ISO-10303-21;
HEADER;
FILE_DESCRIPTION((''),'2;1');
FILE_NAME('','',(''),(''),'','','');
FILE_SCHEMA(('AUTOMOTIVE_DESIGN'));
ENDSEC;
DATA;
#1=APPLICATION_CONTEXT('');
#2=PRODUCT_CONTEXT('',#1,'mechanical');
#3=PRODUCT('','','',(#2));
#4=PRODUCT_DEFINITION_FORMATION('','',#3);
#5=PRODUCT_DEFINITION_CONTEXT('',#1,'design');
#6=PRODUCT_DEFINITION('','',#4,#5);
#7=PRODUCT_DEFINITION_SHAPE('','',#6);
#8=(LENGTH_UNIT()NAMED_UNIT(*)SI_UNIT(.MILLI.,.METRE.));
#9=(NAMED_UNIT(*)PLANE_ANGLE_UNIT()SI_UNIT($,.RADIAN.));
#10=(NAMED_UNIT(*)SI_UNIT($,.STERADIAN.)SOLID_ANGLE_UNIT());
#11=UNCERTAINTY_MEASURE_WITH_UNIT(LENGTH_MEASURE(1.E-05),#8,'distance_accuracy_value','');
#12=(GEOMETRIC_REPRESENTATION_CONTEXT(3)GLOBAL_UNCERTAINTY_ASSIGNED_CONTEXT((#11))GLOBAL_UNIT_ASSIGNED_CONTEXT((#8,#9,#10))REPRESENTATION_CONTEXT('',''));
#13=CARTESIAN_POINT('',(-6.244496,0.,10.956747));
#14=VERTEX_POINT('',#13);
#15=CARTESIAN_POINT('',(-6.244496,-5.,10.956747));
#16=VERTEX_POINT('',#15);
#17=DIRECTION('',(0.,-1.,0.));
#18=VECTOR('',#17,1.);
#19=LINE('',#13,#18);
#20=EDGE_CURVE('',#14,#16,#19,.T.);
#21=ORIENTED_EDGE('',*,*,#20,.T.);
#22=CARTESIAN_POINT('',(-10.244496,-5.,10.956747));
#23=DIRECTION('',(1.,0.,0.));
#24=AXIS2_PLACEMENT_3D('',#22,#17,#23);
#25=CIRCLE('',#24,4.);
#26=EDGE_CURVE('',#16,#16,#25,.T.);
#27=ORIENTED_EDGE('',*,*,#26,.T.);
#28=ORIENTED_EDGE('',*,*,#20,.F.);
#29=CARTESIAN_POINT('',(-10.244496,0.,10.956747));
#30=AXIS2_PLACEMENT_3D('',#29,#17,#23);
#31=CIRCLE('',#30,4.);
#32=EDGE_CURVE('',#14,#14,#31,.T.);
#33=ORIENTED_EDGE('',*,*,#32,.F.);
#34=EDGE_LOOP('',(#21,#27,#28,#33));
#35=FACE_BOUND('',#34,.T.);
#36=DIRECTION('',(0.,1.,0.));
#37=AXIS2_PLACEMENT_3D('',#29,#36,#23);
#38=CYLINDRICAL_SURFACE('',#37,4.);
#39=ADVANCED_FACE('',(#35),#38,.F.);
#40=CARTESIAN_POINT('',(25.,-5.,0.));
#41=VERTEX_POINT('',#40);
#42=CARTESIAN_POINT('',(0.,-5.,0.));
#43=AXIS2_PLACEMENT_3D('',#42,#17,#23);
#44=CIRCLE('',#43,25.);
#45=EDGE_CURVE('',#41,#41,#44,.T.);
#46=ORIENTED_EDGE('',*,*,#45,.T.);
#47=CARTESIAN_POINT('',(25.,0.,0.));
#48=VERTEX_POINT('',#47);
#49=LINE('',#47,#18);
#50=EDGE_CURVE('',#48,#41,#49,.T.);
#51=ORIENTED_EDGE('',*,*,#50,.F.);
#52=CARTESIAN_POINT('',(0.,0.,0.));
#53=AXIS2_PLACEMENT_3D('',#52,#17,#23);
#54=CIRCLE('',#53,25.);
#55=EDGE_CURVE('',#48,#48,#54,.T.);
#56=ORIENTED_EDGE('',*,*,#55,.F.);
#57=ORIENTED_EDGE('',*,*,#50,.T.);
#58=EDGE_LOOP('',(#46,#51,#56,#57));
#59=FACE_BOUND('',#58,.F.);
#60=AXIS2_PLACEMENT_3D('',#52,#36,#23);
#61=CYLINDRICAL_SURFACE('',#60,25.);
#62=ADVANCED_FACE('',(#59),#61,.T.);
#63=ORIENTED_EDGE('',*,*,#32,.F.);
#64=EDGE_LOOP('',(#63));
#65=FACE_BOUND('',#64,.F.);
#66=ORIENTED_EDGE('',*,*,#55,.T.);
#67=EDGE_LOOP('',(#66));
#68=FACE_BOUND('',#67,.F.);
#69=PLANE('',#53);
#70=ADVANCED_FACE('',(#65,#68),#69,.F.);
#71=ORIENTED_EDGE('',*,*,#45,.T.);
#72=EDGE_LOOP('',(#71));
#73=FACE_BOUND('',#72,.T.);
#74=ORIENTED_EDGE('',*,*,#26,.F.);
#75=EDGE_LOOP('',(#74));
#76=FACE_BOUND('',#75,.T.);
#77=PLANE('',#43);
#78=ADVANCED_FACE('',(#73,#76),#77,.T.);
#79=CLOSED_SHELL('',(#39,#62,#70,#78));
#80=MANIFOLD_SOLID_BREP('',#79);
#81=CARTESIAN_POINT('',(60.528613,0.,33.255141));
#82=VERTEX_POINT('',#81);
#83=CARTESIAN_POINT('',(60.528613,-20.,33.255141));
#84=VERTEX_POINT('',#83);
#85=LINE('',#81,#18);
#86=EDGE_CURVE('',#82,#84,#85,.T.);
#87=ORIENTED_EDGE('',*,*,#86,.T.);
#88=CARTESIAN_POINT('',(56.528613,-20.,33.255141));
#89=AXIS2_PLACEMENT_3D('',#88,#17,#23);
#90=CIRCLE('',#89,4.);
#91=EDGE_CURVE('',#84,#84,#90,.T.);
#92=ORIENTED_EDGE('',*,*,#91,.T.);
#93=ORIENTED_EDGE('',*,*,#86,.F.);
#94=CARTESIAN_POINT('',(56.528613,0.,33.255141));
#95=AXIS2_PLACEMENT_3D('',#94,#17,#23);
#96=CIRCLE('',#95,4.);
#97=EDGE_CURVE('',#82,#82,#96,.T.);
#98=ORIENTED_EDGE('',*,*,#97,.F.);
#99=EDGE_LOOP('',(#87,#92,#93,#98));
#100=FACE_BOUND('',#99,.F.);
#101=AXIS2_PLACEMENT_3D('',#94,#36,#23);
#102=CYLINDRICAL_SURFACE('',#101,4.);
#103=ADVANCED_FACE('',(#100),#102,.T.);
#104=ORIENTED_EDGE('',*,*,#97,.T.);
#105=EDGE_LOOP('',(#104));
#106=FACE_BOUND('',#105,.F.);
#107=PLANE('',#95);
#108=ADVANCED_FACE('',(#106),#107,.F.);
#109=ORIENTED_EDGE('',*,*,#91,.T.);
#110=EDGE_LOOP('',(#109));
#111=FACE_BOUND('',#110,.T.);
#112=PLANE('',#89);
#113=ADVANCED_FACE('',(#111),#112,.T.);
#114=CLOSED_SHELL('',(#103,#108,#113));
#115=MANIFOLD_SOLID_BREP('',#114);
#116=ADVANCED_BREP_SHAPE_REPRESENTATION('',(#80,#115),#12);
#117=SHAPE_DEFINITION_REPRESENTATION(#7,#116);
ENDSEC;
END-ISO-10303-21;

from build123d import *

# Parameters (mm, degrees)
F0_R     = 25
F0_R_2   = 4
F1_DEPTH = 5
F2_R     = 4
F3_DEPTH = 20


with BuildPart() as f1:
    # F0 (on Front) → F1 (new body)
    with BuildSketch(Plane.XZ):
        Circle(F0_R)
        with Locations((-10.244496, 10.956747)):
            Circle(F0_R_2, mode=Mode.SUBTRACT)
    extrude(amount=F1_DEPTH)


with BuildPart() as f3:
    # F2 (on Front) → F3 (new body)
    with BuildSketch(Plane.XZ):
        with Locations((56.528613, 33.255141)):
            Circle(F2_R)
    extrude(amount=F3_DEPTH)


solid = Compound([f1.part, f3.part])
